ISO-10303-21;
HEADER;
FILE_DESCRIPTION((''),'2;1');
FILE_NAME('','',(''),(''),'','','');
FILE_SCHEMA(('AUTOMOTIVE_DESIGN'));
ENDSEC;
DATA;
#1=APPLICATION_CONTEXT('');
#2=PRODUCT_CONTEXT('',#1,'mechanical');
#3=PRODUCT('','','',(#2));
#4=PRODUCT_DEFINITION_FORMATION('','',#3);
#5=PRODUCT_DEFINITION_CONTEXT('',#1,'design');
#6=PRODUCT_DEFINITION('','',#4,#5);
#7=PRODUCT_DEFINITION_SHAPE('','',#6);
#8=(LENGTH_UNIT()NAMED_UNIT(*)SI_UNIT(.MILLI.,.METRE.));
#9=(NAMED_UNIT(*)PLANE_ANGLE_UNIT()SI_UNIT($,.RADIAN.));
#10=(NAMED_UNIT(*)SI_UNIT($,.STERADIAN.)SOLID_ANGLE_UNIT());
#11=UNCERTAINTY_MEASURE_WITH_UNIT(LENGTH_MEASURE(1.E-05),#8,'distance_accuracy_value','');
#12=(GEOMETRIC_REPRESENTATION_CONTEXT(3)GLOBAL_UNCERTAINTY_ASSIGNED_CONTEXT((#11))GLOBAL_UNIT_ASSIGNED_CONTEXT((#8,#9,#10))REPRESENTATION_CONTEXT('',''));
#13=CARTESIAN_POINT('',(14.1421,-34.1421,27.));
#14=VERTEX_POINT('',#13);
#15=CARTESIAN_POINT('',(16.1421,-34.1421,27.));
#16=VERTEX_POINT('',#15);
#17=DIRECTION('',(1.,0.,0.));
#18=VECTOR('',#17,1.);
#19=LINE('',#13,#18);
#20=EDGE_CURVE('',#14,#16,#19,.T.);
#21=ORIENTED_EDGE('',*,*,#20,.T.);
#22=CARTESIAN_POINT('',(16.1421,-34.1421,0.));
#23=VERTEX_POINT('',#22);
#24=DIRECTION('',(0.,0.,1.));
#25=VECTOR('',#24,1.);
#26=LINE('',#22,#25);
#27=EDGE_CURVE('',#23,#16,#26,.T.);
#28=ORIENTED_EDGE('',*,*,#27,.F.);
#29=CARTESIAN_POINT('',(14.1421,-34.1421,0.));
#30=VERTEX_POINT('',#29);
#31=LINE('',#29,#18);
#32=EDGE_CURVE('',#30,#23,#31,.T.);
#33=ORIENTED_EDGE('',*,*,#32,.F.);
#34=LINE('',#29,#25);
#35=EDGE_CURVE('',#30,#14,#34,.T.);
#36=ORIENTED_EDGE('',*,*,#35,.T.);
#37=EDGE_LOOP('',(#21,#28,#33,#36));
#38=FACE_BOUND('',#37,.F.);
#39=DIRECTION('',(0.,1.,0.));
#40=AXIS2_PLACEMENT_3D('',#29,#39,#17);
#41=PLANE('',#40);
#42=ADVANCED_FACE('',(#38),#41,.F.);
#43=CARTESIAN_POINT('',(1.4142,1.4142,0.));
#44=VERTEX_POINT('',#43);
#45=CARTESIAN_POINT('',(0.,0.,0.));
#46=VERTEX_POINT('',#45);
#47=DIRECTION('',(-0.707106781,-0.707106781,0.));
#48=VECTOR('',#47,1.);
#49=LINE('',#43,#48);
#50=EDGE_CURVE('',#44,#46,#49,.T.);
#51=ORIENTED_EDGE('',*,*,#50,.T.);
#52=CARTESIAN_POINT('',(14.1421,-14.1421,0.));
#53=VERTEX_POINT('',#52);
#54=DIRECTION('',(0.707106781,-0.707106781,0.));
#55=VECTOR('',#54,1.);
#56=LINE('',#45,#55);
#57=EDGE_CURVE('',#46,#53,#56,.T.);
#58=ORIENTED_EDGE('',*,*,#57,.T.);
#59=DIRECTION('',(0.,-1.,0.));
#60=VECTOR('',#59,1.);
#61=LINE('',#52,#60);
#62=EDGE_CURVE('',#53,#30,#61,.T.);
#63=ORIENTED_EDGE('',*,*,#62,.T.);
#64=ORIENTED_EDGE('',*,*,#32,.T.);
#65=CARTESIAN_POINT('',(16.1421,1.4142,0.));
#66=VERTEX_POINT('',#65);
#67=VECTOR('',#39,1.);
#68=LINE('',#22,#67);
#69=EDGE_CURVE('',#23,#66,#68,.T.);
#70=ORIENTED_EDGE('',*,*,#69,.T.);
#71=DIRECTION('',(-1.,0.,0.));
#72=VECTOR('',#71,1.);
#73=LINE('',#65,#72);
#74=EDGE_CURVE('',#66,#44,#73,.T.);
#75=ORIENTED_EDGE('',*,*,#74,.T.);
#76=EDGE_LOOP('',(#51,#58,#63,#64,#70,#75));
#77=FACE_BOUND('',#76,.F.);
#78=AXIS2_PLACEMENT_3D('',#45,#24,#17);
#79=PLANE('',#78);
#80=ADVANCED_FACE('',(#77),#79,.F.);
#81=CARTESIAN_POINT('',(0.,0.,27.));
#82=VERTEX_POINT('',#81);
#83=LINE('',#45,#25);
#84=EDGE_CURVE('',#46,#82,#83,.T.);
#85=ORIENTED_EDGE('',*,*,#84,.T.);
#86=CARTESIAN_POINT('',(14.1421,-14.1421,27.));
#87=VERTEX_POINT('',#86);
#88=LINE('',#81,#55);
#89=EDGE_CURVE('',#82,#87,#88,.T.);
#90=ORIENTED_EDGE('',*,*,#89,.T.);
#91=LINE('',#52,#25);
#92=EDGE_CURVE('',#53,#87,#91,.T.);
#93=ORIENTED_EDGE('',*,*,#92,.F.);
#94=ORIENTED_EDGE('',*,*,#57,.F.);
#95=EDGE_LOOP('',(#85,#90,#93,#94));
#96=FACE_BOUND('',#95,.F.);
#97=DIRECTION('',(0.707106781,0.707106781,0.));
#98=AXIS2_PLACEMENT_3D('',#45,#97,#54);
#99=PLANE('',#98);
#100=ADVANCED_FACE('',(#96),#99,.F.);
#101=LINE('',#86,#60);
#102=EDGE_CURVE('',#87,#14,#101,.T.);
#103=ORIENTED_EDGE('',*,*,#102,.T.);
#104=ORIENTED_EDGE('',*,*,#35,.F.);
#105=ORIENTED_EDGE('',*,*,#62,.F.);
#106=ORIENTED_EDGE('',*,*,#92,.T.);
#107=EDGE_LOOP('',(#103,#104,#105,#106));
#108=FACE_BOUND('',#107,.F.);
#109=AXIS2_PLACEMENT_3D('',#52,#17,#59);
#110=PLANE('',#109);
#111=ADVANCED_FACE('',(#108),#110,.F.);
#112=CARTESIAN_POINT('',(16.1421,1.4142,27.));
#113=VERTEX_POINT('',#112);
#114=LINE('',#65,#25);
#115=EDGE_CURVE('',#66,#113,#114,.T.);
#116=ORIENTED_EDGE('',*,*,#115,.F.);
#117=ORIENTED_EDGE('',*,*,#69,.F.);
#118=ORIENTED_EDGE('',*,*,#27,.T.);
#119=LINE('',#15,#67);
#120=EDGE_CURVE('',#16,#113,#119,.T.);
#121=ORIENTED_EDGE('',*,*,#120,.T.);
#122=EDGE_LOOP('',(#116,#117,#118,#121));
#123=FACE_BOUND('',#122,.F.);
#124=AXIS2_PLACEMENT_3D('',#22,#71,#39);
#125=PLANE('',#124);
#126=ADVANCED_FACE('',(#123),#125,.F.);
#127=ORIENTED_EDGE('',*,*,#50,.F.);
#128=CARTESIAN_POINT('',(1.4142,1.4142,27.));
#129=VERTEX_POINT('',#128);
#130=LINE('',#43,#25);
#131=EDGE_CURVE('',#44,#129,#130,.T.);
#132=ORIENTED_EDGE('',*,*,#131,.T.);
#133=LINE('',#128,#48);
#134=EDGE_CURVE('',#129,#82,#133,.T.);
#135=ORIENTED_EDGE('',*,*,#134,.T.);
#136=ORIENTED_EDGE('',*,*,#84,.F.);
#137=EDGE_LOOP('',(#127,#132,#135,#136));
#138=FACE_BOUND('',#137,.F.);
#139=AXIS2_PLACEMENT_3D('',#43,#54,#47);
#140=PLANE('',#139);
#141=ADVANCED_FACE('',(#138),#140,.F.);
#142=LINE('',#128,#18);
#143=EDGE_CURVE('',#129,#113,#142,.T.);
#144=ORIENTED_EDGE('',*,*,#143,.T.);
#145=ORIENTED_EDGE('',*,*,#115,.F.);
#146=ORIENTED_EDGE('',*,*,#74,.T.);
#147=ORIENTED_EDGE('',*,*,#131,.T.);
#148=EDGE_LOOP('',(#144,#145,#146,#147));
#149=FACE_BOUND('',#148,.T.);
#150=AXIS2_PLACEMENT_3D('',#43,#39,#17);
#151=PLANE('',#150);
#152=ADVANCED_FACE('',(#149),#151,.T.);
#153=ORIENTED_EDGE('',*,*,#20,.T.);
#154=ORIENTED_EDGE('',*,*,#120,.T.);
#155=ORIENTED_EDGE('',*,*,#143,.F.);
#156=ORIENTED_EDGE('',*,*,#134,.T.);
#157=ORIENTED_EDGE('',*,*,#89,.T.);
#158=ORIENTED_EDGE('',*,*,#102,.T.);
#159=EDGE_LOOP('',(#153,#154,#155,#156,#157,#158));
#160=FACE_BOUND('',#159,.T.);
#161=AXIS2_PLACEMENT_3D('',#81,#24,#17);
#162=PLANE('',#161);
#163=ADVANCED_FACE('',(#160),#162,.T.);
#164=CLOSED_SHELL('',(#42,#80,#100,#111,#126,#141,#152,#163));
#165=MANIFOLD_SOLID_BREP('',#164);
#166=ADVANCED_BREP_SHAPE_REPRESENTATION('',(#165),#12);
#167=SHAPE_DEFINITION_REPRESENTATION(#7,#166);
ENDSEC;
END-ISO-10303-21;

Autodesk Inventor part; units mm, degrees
ref_plane "YZ Plane" through (0, 0, 0) normal (1, 0, 0) x (0, 1, 0)
ref_plane "XZ Plane" through (0, 0, 0) normal (0, 1, 0) x (-1, 0, 0)
ref_plane "XY Plane" through (0, 0, 0) normal (0, 0, 1) x (1, 0, 0)
sketch "Sketch1" plane through (0, 0, 0) normal (0, 0, 1) x (1, 0, 0)
  line L0 (0, 0) -> (14.1421, -14.1421)
  line L1 (0, 0) -> (20, 0) construction
  line L2 (14.1421, -14.1421) -> (15.5563, -12.7279)
  line L3 (15.5563, -12.7279) -> (1.4142, 1.4142)
  line L4 (1.4142, 1.4142) -> (0, 0)
  line L5 (1.4142, 1.4142) -> (15.5563, 1.4142)
  line L6 (14.1421, -14.1421) -> (14.1421, -34.1421)
  line L7 (14.1421, -34.1421) -> (16.1421, -34.1421)
  line L8 (16.1421, -34.1421) -> (16.1421, 1.4142)
  line L9 (16.1421, 1.4142) -> (15.5563, 1.4142)
  dimension "d0" = 20
  dimension "d1" = 45
  dimension "d2" = 2
  dimension "d3" = 20
  dimension "d4" = 20
  dimension "d6" = 2
extrude "Extrusion1" add sketch "Sketch1" along normal blind 27
sketch "Sketch2" plane through (14.1421, -14.1421, 27) normal (-0.7071, -0.7071, 0) x (-0.7071, 0.7071, 0)
  line L0 (20, 27) -> (0, 27) projected
  line L1 (0, 27) -> (0, 0) projected
  line L2 (0, 27) -> (10, 27)
  line L3 (10, 27) -> (10, 13.5)
  line L4 (20, 27) -> (20, 0) projected
  line L5 (10, 13.5) -> (10, 19.5)
  line L6 (10, 19.5) -> (15, 19.5)
  line L7 (15, 19.5) -> (15, 7.5)
  line L8 (15, 7.5) -> (5, 7.5)
  line L9 (5, 7.5) -> (5, 19.5)
  line L10 (5, 19.5) -> (10, 19.5)
  line L11 (10, 13.5) -> (10, 23.5)
  circle A0 centre (10, 23.5) radius 1.5
  circle A1 centre (10, 23.5) radius 3.5
  line L12 (10, 13.5) -> (10, 3.5)
  circle A2 centre (10, 3.5) radius 1.5
  circle A3 centre (10, 3.5) radius 3.5
  dimension "d20" = 10
  dimension "d21" = 6
  dimension "d22" = 5
  dimension "d23" = 12
  dimension "d24" = 10
  dimension "d25" = 10
  dimension "d26" = 3
  dimension "d27" = 7
  dimension "d28" = 10
  dimension "d29" = 3
  dimension "d30" = 7
properties part number "Time of Flight 4.0"
